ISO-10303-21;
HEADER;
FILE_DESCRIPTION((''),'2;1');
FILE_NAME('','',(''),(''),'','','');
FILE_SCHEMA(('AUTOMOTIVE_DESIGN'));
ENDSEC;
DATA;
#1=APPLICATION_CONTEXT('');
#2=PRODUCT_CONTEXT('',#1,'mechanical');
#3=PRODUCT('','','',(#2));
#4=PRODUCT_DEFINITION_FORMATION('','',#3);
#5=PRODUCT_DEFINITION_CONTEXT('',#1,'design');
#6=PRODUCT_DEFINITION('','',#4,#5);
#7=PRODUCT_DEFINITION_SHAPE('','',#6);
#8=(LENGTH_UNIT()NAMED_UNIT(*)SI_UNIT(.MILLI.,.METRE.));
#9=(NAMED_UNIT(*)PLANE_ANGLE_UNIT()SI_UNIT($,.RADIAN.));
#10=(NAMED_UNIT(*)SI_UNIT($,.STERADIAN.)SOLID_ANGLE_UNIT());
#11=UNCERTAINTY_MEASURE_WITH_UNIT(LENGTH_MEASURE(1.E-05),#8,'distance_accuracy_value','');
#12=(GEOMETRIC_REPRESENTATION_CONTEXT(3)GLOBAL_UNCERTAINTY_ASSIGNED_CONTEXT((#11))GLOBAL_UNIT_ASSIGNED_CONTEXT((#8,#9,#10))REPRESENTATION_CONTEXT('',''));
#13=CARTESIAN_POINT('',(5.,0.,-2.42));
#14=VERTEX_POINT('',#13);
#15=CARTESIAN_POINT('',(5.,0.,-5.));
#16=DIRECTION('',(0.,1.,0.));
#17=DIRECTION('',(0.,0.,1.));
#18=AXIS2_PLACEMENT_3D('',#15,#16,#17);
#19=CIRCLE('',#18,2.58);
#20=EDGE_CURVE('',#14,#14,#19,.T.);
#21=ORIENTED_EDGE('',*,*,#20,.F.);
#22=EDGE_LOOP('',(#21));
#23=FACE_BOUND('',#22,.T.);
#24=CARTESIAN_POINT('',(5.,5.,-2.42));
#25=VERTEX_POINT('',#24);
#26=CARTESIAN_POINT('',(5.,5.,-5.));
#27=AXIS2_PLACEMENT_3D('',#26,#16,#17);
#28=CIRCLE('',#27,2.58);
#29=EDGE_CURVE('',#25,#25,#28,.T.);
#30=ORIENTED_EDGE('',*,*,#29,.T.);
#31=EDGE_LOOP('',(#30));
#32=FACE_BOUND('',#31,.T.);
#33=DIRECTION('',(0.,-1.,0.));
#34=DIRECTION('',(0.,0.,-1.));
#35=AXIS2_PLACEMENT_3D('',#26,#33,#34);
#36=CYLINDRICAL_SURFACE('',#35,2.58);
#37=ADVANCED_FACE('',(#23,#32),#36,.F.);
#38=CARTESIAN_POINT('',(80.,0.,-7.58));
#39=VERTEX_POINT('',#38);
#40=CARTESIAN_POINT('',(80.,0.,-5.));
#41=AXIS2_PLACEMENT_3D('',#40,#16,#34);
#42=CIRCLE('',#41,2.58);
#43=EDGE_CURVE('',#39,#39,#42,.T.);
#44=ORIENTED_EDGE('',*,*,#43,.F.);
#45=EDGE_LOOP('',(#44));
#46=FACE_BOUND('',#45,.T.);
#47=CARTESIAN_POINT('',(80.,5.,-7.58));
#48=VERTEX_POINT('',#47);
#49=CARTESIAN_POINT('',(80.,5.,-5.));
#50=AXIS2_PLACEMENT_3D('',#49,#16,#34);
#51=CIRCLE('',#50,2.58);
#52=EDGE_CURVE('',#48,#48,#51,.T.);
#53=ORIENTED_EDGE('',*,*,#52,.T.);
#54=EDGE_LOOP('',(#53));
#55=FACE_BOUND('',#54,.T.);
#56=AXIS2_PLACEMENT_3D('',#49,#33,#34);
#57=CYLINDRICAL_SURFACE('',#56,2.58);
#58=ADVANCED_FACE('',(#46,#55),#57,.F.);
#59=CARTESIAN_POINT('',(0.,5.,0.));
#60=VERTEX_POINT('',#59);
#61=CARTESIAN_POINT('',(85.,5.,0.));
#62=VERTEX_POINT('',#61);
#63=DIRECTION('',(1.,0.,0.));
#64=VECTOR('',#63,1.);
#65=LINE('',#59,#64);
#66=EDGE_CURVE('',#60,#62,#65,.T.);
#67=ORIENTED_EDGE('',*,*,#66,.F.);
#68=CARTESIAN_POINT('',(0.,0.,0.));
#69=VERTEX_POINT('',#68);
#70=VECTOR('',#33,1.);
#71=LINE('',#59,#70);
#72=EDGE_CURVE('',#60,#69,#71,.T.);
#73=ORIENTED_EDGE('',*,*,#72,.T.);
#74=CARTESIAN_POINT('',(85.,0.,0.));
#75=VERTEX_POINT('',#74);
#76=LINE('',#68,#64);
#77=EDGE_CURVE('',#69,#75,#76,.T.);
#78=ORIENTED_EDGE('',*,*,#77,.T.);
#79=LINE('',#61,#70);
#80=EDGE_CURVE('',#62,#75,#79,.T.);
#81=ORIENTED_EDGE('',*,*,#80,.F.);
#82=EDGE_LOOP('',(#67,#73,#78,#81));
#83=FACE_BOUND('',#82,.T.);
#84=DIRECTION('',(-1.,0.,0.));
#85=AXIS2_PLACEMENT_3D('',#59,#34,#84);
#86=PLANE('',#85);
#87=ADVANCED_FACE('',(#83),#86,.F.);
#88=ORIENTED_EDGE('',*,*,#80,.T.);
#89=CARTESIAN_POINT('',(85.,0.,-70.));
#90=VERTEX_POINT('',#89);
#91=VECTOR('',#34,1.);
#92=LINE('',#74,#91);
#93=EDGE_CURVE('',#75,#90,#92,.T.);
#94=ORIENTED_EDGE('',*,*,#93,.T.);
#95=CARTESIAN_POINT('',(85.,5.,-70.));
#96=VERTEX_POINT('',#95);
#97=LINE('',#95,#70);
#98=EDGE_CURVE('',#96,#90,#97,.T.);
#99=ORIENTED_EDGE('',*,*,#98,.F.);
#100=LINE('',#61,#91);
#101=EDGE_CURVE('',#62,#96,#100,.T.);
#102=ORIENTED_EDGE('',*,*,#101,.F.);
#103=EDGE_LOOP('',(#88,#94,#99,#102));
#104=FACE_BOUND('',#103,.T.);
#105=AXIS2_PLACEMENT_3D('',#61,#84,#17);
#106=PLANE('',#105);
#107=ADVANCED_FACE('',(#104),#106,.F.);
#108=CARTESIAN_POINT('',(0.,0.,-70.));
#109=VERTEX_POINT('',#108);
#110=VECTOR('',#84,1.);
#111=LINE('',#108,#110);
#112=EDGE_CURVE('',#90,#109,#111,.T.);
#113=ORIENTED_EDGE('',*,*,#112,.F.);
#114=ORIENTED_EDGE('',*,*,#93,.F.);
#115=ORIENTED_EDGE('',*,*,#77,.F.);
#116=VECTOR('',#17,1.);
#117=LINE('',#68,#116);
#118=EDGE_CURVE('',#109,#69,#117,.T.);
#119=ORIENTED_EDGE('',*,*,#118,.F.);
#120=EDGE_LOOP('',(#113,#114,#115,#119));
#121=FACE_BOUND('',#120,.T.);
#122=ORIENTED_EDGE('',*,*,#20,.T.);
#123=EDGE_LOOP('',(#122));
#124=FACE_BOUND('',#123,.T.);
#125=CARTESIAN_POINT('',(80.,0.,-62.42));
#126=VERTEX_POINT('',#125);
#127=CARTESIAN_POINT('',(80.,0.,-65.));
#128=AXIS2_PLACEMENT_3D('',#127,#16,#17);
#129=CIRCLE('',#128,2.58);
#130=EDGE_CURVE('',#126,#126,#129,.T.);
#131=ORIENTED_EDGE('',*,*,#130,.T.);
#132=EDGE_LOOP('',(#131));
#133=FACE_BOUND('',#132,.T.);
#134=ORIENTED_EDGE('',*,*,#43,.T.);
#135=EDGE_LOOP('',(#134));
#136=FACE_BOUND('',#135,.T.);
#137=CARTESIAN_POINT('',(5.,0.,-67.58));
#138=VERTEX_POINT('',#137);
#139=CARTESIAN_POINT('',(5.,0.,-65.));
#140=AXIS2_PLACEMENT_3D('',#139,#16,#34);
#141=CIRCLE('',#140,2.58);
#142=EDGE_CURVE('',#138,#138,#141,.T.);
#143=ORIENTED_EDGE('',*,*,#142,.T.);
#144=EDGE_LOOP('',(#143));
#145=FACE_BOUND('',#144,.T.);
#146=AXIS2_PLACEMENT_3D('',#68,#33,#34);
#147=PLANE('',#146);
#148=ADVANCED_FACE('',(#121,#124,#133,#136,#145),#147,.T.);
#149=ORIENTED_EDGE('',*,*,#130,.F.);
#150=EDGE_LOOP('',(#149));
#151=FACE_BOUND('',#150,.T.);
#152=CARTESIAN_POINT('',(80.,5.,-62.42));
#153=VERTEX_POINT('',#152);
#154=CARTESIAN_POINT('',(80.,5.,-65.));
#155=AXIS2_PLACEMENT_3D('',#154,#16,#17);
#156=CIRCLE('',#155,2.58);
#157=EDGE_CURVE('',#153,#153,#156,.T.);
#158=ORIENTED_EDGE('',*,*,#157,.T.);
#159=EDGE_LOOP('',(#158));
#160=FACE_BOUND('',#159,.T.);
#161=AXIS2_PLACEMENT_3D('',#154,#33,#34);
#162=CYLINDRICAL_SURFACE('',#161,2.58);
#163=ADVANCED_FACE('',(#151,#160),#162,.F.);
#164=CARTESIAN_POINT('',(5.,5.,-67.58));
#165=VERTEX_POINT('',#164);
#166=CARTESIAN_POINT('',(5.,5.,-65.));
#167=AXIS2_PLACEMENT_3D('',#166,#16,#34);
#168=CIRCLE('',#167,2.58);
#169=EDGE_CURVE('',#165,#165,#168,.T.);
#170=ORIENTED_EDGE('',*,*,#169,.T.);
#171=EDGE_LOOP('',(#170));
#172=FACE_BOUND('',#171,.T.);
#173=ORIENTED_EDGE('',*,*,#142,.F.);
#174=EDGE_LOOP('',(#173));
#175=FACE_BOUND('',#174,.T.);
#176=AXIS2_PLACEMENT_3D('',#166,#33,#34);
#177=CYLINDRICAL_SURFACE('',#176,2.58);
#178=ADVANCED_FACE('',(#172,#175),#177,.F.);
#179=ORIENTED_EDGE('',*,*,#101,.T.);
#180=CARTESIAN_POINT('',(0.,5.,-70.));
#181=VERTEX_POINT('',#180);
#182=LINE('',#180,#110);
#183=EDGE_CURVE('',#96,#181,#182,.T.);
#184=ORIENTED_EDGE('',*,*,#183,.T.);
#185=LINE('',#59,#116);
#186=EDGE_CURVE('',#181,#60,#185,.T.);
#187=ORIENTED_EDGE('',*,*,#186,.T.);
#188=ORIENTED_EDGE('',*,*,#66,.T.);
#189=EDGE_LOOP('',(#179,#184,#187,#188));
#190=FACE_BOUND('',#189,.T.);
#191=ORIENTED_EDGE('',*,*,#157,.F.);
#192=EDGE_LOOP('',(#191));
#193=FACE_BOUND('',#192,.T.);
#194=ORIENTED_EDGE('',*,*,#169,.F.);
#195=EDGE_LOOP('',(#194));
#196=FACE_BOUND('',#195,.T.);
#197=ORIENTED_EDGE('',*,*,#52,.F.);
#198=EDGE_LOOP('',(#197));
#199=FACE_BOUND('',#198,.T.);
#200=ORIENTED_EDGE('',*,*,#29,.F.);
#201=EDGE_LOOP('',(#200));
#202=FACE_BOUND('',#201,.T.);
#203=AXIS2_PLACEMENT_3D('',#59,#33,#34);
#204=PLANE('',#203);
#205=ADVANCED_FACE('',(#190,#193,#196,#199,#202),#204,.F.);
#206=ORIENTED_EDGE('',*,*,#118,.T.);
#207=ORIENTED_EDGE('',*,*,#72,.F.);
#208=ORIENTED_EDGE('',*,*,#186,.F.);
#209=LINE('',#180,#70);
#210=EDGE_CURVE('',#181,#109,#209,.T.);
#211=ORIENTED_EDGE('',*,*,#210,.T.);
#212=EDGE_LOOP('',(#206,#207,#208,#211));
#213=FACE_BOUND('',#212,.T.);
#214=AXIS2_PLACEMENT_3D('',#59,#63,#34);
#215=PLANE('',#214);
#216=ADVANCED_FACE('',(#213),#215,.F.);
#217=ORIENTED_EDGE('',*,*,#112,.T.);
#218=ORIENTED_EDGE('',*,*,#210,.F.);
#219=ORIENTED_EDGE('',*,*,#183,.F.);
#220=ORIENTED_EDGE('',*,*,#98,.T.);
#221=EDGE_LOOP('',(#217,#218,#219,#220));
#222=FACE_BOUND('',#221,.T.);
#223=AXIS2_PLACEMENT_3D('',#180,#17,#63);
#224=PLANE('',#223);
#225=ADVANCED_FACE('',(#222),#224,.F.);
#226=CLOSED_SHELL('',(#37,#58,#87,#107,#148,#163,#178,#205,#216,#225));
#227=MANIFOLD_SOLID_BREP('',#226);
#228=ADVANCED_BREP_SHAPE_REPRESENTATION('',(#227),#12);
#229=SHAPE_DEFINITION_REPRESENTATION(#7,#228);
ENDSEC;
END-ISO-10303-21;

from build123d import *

# Parameters (mm, degrees)
SKETCH2_W           = 85
SKETCH2_H           = 70
SKETCH2_R           = 2.58
BOSS_EXTRUDE1_DEPTH = 5


with BuildPart() as part:
    # Sketch2 → Boss-Extrude1 (new body)
    with BuildSketch(Plane(origin=(0, 0, 0), x_dir=(1, 0, 0), z_dir=(0, 1, 0))):
        with Locations((42.5, 35)):
            Rectangle(SKETCH2_W, SKETCH2_H)
        with Locations(Location((5, 5, 0), (0, 0, 270))):
            Circle(SKETCH2_R, mode=Mode.SUBTRACT)
        with Locations(Location((80, 5, 0), (0, 0, 90))):
            Circle(SKETCH2_R, mode=Mode.SUBTRACT)
        with Locations(Location((80, 65, 0), (0, 0, 270))):
            Circle(SKETCH2_R, mode=Mode.SUBTRACT)
        with Locations(Location((5, 65, 0), (0, 0, 90))):
            Circle(SKETCH2_R, mode=Mode.SUBTRACT)
    extrude(amount=BOSS_EXTRUDE1_DEPTH)


solid = part.part
